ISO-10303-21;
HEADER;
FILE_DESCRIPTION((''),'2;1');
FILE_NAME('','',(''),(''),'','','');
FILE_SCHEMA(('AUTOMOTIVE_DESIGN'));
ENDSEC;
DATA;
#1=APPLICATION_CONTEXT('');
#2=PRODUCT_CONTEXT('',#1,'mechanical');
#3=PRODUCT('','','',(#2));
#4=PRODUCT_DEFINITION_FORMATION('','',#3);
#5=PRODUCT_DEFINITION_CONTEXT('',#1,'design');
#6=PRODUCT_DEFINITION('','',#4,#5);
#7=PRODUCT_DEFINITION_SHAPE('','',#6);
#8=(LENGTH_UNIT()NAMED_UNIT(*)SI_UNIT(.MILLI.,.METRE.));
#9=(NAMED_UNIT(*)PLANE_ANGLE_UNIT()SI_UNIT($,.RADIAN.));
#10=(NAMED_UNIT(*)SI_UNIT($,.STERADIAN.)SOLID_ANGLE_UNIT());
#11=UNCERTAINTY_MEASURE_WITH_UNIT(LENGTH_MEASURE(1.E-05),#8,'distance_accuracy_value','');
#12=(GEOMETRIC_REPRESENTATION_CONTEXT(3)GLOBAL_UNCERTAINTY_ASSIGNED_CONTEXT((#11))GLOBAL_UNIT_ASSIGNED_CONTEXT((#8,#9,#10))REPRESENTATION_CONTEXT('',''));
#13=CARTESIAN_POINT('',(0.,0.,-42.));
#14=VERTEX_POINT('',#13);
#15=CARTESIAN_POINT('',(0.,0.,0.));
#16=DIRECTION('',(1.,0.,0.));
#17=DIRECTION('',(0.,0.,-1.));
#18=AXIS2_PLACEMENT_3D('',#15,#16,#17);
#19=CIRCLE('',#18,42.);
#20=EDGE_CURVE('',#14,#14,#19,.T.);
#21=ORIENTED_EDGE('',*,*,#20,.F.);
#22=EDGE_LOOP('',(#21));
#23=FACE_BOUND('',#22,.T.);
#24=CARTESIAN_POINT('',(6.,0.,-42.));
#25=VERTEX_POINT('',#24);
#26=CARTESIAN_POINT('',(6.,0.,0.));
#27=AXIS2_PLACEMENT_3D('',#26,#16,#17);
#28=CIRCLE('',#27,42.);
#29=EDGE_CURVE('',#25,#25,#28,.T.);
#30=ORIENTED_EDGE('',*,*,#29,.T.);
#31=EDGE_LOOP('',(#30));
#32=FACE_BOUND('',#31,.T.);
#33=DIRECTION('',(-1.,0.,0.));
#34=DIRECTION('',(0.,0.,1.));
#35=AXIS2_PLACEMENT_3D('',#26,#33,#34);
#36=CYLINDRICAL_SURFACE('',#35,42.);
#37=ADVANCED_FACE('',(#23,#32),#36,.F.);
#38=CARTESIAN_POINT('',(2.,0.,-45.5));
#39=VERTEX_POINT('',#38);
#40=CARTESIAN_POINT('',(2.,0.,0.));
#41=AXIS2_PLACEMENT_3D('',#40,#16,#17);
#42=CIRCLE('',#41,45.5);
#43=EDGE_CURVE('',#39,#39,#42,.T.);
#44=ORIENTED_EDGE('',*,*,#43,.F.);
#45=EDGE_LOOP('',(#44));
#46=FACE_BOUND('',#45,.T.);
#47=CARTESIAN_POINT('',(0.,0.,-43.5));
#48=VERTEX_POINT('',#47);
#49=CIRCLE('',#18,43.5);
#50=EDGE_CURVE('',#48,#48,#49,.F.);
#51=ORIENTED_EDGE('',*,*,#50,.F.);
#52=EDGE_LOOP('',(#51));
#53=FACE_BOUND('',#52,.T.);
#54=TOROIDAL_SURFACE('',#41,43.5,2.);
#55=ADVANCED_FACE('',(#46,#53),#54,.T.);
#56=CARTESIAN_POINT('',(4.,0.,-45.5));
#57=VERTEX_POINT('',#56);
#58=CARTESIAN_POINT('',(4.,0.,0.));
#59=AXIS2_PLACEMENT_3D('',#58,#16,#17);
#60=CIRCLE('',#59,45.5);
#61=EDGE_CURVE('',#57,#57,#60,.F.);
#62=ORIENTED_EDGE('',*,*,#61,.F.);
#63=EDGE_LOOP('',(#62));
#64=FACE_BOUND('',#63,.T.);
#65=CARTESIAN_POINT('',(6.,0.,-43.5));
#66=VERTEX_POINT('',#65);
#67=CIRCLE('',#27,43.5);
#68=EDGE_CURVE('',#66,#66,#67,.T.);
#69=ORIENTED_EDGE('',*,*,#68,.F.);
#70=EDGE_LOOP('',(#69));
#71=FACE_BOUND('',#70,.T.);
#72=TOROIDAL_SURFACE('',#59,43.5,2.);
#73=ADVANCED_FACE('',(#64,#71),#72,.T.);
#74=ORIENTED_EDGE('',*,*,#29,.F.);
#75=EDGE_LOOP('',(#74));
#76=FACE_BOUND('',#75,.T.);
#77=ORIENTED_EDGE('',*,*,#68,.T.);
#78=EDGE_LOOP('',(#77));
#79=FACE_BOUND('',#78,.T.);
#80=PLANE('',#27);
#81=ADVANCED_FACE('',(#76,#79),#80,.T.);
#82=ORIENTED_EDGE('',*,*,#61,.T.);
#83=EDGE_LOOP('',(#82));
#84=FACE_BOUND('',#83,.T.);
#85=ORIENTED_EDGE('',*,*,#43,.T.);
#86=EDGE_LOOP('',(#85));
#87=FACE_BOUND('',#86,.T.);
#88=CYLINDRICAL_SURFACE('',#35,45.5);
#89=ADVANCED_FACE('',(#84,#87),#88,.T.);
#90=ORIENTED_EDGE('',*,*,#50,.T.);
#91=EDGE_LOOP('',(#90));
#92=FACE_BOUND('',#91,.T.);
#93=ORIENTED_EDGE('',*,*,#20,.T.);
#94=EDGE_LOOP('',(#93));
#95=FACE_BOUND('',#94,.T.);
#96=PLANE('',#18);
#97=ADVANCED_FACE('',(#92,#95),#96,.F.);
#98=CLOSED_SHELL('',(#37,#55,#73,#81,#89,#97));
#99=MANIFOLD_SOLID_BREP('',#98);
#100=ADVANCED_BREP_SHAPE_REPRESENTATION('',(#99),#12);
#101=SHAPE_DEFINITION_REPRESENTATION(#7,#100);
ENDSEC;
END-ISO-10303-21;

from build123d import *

# Parameters (mm, degrees)
SKETCH2_R           = 45.5
SKETCH2_R_2         = 42
BOSS_EXTRUDE1_DEPTH = 6
FILLET1_R           = 2


with BuildPart() as part:
    # Sketch2 → Boss-Extrude1 (new body)
    with BuildSketch(Plane(origin=(0, 0, 0), x_dir=(0, 0, -1), z_dir=(1, 0, 0))):
        Circle(SKETCH2_R)
        Circle(SKETCH2_R_2, mode=Mode.SUBTRACT)
    extrude(amount=BOSS_EXTRUDE1_DEPTH)

    # Fillet1
    fillet1_edges = [part.edges().sort_by_distance(p)[0] for p in [
        (0, 0, 45.5),
        (6, 0, 45.5),
    ]]
    fillet(fillet1_edges, radius=FILLET1_R)


solid = part.part
